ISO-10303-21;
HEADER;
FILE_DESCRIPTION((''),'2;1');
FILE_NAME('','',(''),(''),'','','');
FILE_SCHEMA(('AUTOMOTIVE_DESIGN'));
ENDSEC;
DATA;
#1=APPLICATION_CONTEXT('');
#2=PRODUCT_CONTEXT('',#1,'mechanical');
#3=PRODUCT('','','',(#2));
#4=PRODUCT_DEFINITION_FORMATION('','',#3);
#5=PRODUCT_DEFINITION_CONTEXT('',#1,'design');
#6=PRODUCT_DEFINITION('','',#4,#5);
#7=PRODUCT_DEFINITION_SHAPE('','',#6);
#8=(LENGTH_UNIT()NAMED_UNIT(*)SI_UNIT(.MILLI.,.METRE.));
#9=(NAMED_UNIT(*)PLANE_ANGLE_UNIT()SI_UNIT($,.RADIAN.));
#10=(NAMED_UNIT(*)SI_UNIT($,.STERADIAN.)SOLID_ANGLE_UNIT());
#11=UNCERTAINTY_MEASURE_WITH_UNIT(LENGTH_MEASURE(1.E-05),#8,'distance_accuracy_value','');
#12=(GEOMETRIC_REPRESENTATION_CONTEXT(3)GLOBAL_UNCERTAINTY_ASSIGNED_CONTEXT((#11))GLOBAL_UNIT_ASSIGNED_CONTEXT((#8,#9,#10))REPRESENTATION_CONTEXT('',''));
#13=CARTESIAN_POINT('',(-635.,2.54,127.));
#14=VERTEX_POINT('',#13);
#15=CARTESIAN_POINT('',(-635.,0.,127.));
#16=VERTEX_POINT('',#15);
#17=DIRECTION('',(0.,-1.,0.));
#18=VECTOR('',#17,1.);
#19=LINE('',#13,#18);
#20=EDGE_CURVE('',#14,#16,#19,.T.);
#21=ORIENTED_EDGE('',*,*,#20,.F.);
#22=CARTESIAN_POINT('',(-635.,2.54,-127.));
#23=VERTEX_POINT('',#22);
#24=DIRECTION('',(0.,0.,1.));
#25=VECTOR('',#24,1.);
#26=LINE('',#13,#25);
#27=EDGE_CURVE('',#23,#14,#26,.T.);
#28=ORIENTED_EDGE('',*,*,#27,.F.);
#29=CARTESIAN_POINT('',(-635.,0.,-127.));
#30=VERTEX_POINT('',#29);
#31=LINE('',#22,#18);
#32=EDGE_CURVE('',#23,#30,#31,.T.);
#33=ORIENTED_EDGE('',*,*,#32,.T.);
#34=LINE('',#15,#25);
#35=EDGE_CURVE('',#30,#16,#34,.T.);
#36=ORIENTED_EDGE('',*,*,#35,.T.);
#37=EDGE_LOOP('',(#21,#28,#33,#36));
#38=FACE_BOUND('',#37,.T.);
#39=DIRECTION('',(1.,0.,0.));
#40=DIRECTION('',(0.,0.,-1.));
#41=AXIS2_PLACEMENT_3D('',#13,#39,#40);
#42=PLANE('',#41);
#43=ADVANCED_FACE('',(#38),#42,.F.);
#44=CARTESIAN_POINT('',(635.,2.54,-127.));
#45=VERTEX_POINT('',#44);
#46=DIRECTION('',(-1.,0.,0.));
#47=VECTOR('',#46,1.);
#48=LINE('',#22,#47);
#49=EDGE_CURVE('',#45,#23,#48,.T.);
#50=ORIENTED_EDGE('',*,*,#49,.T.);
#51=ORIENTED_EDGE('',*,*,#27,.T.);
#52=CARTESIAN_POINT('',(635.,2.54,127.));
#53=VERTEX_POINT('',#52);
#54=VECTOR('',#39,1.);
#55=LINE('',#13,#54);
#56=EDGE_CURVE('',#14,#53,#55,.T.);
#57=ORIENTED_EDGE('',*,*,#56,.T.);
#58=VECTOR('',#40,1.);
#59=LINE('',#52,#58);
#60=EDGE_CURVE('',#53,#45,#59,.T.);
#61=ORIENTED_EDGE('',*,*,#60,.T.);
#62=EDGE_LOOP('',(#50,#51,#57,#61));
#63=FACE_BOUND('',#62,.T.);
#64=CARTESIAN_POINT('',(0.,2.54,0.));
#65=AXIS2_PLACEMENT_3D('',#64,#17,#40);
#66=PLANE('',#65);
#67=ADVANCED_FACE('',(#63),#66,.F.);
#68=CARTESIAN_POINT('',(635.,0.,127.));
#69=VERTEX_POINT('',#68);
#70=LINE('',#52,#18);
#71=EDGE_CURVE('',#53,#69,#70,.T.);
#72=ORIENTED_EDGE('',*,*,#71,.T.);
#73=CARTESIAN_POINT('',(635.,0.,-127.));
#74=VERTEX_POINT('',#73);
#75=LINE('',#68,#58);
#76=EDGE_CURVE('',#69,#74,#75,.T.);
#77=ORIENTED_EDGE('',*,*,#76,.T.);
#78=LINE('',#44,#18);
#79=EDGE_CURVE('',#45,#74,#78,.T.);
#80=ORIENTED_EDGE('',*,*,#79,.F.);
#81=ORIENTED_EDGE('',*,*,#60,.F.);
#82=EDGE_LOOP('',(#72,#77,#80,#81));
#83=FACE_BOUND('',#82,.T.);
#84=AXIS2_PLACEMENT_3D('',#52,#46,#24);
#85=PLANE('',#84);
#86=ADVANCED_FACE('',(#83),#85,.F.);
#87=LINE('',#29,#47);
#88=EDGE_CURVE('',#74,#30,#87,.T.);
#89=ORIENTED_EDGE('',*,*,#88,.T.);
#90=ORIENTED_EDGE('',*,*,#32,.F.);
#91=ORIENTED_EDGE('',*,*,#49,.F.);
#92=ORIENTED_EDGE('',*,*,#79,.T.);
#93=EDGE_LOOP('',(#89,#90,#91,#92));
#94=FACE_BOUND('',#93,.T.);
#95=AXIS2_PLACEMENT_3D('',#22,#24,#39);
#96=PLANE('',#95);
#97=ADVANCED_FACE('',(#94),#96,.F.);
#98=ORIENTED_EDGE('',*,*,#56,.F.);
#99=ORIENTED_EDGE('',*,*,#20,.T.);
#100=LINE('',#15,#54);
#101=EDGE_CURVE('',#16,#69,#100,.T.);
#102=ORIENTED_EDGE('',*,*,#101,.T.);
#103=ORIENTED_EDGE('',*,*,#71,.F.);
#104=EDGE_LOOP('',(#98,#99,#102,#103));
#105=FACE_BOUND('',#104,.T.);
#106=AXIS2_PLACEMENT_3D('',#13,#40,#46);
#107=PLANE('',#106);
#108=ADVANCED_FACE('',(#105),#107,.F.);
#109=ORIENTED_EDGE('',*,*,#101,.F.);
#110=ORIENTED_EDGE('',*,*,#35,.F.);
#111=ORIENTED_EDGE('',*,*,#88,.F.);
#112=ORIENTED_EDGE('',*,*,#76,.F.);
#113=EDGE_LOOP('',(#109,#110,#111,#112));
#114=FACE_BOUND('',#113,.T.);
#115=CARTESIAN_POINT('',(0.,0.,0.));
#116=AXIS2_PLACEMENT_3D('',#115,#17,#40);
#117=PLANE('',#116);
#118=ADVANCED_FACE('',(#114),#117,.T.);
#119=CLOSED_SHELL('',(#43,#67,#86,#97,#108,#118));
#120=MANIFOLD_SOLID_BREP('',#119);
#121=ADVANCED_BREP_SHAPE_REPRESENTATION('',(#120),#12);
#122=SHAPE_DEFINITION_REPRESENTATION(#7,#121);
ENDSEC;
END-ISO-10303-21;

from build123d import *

# Parameters (mm, degrees)
ESQUISSE1_W        = 1270
ESQUISSE1_H        = 254
BOSS_EXTRU_1_DEPTH = 2.54


with BuildPart() as part:
    # Esquisse1 → Boss.-Extru.1 (new body)
    with BuildSketch(Plane(origin=(0, 0, 0), x_dir=(1, 0, 0), z_dir=(0, 1, 0))):
        Rectangle(ESQUISSE1_W, ESQUISSE1_H)
    extrude(amount=BOSS_EXTRU_1_DEPTH)


solid = part.part
